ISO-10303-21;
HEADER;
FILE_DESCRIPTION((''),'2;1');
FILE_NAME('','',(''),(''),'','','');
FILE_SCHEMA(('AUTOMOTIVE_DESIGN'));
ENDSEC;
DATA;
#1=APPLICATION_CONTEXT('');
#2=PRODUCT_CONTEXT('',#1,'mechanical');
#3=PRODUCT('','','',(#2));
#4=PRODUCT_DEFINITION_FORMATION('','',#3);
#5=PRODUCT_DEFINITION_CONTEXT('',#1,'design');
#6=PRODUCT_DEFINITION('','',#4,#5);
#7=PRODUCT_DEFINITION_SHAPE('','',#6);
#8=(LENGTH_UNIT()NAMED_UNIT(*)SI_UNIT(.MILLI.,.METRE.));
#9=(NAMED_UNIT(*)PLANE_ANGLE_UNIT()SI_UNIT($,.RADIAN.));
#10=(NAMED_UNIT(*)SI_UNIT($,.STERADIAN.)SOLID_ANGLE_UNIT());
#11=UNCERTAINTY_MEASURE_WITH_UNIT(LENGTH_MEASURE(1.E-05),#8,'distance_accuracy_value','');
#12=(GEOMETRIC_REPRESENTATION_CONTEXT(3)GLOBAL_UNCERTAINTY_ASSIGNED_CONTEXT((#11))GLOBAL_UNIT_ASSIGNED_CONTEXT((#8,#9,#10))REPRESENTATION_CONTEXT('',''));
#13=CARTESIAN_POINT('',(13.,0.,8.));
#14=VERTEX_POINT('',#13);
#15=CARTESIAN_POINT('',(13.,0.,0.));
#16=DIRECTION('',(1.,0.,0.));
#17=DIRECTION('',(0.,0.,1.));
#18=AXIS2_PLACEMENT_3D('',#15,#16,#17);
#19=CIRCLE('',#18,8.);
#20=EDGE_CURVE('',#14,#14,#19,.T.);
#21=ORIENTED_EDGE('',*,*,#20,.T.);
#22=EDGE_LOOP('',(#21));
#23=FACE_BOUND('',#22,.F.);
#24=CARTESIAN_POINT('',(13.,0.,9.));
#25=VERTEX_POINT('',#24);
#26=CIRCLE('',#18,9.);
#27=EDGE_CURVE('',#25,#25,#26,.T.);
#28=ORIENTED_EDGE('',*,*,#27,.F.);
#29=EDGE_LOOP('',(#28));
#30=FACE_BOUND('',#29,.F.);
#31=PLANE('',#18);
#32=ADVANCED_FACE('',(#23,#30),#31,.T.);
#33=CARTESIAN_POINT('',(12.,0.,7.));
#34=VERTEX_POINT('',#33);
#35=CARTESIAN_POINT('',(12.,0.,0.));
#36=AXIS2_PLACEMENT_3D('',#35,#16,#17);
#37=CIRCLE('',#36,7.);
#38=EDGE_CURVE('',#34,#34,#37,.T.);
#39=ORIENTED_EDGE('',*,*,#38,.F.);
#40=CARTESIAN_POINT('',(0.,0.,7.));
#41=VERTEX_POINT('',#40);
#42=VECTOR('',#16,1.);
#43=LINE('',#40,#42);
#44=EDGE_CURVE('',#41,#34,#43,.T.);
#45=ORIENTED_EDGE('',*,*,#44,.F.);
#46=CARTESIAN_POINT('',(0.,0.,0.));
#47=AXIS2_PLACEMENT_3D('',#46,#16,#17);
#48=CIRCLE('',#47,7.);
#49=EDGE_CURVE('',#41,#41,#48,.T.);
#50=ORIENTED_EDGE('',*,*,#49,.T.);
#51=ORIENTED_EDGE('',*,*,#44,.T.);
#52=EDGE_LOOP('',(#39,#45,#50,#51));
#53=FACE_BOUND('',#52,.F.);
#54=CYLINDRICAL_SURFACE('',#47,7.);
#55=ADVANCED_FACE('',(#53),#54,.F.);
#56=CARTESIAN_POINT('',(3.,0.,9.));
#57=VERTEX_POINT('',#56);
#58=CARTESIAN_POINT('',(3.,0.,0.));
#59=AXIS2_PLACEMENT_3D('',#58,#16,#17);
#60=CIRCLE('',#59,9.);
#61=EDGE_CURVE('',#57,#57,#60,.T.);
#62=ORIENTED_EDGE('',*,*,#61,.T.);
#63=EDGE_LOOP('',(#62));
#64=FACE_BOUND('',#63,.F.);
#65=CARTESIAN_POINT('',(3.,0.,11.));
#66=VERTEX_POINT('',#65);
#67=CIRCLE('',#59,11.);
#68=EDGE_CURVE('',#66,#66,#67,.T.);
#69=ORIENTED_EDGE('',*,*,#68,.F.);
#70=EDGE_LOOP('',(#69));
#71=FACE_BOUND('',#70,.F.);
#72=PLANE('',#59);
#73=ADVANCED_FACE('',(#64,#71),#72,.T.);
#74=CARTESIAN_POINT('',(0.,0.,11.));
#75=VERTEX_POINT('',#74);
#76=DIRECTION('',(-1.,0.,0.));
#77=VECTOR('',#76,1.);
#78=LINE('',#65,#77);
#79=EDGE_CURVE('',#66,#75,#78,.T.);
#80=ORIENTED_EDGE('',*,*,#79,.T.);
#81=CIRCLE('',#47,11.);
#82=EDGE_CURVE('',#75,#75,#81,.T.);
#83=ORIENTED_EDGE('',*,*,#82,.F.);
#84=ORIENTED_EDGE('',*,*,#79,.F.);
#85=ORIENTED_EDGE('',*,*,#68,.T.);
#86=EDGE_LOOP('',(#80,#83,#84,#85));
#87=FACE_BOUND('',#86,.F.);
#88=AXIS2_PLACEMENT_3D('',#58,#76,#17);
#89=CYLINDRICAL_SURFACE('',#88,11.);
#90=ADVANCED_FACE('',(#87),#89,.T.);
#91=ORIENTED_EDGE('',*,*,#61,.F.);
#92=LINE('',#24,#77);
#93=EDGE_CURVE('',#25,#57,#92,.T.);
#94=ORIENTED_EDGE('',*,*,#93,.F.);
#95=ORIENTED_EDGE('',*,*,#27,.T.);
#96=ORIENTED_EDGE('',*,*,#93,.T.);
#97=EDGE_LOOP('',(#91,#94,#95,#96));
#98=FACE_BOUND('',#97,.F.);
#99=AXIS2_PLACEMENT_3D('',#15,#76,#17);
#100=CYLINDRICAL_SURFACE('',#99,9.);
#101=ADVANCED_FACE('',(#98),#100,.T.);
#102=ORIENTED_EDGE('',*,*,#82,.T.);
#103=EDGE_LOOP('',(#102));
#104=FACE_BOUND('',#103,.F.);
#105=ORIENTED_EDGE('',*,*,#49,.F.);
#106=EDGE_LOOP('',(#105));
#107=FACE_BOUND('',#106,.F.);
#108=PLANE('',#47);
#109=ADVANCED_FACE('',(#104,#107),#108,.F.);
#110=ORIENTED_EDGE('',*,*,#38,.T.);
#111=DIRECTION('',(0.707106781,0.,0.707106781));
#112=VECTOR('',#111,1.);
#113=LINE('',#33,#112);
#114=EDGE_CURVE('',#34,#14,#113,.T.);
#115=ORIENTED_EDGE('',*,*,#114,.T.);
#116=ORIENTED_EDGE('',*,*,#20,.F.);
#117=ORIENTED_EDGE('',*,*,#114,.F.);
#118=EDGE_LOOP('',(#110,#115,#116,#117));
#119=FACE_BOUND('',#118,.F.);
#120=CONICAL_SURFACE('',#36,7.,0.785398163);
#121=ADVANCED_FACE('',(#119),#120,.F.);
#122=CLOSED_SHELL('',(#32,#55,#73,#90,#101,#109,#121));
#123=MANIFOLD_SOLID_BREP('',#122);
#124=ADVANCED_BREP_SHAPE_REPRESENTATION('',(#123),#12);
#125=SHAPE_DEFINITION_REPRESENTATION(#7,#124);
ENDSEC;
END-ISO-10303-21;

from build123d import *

# Parameters (mm, degrees)
F2_SIZE = 1


with BuildPart() as f1:
    # F0 (on Front) → F1 (revolve)
    with BuildSketch(Plane.XZ):
        Polygon((0, 11), (0, 7), (13, 7), (13, 9), (3, 9), (3, 11), align=None)
    revolve(axis=Axis((14.451209, 0, 0), (1, 0, 0)))

    # F2
    f2_edges = [f1.edges().sort_by_distance(p)[0] for p in [
        (13, 0, -7),
    ]]
    chamfer(f2_edges, length=F2_SIZE)


solid = f1.part
